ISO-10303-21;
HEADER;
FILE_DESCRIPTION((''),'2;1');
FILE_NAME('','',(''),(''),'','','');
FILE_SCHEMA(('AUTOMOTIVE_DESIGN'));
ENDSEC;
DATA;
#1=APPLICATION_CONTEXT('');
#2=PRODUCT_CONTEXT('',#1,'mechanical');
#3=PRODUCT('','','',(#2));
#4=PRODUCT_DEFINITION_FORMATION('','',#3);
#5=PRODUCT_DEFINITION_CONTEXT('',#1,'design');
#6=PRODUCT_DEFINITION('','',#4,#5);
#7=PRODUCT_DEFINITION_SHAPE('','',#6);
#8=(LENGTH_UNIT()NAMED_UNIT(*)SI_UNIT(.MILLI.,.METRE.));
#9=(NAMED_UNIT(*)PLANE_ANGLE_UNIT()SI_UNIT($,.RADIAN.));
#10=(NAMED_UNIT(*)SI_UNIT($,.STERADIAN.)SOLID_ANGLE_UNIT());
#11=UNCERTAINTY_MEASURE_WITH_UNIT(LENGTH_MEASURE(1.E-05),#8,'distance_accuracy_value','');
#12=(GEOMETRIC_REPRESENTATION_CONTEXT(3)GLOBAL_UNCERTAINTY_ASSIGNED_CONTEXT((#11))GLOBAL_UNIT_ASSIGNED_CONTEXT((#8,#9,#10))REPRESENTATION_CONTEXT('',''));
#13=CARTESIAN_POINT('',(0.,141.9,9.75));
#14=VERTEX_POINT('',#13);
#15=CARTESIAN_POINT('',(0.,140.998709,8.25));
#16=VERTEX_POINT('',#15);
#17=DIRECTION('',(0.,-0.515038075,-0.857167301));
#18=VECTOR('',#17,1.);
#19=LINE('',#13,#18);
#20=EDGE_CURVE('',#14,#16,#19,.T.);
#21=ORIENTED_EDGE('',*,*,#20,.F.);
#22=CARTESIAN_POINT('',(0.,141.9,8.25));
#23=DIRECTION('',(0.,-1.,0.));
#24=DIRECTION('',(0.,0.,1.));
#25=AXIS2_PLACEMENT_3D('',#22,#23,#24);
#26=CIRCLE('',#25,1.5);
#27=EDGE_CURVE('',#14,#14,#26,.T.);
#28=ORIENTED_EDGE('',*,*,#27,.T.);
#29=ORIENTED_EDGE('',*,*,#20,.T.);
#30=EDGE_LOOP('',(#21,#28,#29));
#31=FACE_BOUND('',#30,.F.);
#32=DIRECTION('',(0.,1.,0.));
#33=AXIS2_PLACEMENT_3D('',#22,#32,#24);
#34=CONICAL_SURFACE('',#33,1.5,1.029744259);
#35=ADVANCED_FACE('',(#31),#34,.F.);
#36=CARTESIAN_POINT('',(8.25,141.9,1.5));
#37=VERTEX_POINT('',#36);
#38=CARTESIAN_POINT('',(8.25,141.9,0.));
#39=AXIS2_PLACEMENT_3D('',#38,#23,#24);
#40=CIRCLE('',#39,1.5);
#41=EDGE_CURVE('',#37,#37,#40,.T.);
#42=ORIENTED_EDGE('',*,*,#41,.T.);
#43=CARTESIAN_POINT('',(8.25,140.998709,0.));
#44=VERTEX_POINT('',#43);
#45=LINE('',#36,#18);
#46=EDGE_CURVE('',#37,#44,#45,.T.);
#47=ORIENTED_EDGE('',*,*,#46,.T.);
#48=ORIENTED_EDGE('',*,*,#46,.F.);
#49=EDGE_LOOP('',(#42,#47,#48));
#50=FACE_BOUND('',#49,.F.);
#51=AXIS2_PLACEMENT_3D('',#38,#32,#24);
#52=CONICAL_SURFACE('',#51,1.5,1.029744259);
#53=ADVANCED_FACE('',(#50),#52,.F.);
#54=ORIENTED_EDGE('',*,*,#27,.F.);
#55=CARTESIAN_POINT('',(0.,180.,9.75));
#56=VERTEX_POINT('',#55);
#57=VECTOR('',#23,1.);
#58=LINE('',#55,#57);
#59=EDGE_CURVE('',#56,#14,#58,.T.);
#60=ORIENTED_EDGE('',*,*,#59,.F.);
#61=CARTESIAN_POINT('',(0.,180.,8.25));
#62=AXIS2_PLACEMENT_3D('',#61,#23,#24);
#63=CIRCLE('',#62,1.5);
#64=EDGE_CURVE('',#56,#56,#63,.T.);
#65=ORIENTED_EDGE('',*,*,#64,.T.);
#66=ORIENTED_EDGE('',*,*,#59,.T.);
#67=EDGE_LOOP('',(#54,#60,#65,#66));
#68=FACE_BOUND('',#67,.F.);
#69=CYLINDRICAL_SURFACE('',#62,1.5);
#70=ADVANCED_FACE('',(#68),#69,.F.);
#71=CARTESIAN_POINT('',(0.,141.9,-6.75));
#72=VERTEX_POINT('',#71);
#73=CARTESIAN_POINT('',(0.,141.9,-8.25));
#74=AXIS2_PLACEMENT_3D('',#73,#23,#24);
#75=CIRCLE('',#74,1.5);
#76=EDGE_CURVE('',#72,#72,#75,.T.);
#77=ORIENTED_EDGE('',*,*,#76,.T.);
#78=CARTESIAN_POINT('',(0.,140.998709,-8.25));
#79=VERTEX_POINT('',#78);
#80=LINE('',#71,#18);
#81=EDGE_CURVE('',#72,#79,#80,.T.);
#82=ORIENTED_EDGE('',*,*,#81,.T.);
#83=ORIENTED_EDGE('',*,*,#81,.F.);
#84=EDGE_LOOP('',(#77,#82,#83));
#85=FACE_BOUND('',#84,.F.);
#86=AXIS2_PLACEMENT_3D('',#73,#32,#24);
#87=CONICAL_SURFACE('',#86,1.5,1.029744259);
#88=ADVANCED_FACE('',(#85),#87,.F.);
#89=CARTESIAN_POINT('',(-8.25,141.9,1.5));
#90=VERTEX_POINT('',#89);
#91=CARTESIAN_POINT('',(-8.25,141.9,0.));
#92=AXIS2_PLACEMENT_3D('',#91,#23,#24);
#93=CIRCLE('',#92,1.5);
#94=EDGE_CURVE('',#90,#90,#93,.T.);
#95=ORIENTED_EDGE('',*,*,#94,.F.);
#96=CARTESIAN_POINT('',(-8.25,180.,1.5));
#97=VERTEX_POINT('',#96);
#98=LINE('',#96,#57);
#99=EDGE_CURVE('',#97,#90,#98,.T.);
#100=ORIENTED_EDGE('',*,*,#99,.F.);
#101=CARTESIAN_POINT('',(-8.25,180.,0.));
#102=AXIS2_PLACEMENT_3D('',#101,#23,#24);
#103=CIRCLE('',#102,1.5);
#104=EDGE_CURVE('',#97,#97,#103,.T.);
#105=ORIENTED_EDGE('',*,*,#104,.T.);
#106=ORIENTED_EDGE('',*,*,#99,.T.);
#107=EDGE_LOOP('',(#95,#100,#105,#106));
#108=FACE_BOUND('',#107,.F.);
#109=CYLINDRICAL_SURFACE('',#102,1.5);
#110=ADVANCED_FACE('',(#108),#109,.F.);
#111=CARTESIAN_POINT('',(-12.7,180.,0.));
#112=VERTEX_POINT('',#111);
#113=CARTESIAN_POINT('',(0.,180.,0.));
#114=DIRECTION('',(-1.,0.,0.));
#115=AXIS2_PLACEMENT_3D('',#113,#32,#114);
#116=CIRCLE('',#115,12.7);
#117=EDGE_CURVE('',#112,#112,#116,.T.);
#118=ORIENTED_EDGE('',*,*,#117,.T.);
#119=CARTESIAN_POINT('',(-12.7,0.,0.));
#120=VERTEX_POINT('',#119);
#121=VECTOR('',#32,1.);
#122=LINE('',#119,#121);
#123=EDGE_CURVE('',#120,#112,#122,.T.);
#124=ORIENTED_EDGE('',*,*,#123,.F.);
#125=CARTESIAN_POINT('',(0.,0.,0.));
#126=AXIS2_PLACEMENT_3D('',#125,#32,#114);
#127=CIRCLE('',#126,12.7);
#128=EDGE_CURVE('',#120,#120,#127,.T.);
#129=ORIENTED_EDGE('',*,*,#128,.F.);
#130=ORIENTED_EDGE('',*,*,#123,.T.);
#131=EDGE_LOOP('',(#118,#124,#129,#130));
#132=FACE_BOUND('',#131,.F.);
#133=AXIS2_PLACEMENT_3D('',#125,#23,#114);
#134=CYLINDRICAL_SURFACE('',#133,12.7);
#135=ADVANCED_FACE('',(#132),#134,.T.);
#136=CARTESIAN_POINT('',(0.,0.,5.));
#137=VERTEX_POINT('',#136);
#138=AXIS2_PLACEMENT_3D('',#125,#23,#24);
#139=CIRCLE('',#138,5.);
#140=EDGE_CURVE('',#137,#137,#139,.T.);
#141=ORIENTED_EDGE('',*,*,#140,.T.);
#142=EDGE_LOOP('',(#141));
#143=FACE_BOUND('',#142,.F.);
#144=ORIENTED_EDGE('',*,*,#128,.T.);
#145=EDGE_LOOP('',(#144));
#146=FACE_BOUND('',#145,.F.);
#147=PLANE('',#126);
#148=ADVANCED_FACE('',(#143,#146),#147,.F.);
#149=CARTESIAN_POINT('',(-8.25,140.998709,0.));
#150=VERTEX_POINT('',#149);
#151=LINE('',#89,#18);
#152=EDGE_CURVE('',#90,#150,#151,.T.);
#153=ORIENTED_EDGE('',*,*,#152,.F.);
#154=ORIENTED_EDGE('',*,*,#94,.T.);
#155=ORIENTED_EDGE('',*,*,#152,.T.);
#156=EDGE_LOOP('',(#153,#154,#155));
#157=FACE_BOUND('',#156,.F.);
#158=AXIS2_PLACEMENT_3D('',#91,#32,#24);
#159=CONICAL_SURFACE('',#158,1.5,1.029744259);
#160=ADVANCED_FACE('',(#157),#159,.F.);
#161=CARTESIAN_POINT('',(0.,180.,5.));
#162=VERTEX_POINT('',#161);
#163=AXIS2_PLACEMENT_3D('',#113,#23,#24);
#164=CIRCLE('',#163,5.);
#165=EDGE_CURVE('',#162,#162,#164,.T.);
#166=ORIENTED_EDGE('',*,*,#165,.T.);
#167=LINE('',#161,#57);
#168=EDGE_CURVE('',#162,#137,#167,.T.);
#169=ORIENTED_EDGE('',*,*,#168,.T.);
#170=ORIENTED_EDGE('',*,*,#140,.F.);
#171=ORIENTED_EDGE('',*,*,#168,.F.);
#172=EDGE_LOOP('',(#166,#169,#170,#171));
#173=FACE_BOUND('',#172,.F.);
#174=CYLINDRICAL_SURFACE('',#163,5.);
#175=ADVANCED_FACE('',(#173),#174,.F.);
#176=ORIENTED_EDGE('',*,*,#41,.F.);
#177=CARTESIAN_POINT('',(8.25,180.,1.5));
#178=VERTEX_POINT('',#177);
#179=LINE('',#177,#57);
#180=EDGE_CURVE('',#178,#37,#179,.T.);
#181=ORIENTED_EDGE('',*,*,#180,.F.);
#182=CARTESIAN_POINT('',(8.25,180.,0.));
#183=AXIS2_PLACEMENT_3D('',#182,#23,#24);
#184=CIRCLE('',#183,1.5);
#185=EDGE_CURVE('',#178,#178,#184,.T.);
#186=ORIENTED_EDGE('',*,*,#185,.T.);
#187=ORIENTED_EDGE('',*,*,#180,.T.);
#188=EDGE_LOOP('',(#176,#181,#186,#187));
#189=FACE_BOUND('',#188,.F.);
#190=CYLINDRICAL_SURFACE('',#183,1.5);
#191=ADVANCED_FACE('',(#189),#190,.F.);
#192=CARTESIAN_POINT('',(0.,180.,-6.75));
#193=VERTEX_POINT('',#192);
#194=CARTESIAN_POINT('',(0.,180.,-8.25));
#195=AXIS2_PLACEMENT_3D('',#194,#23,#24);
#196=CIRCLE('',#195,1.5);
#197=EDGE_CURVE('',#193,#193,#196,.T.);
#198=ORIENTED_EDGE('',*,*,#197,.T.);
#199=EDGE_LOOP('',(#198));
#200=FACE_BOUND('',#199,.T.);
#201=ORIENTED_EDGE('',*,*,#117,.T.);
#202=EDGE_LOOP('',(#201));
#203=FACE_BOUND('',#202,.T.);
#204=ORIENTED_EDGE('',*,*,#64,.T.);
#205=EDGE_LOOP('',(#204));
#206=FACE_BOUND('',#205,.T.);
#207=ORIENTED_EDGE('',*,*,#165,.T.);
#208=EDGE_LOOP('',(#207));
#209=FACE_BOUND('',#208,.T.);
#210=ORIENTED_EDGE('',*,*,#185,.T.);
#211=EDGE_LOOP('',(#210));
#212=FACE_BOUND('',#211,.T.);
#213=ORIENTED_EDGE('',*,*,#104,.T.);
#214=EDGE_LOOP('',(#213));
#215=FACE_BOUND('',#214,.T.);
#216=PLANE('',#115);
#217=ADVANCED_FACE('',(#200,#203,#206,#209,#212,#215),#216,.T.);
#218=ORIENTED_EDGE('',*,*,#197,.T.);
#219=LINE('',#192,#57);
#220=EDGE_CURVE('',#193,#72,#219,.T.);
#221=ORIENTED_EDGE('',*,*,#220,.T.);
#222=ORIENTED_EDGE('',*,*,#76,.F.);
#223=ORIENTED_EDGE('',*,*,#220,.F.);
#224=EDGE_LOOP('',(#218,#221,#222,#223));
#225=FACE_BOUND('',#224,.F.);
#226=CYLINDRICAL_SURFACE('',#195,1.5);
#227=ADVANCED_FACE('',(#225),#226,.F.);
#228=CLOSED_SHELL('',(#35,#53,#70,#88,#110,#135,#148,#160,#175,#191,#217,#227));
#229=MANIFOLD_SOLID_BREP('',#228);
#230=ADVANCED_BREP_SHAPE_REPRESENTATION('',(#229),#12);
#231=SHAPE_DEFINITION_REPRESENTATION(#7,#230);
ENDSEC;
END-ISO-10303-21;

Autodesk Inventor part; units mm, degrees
ref_plane "YZ Plane" through (0, 0, 0) normal (1, 0, 0) x (0, 1, 0)
ref_plane "XZ Plane" through (0, 0, 0) normal (0, 1, 0) x (-1, 0, 0)
ref_plane "XY Plane" through (0, 0, 0) normal (0, 0, 1) x (1, 0, 0)
sketch "Sketch1" plane through (0, 0, 0) normal (0, 1, 0) x (-1, 0, 0)
  circle A0 centre (0, 0) radius 12.7
  dimension "d0" = 25.4
extrude "Extrusion1" add sketch "Sketch1" along normal blind 180
sketch "Sketch3" plane through (0, 180, 0) normal (0, 1, 0) x (1, 0, 0)
  point P0 (0, 0)
  point P1 (0, 0)
hole "Hole2" at (0, 180, 0) direction (0, -1, 0) diameter 10 end through all
sketch "Sketch4" plane through (0, 180, 0) normal (0, 1, 0) x (1, 0, 0)
  point P0 (0, 0)
  point P1 (0, -8.25)
  point P2 (-8.25, 0)
  point P3 (0, 8.25)
  point P4 (8.25, 0)
  dimension "d17" = 8.25
  dimension "d20" = 360
hole "Hole3" at (0, 180, 8.25) at (-8.25, 180, 0) at (0, 180, -8.25) at (8.25, 180, 0) direction (0, -1, 0) diameter 3 depth 38.1 tip angle 118
thread "Thread1" size "M3x0.5" class "6H" standard "ANSI Metric M Profile" full length
thread "Thread2" size "M3x0.5" class "6H" standard "ANSI Metric M Profile" full length
thread "Thread3" size "M3x0.5" class "6H" standard "ANSI Metric M Profile" full length
thread "Thread4" size "M3x0.5" class "6H" standard "ANSI Metric M Profile" full length
properties part number "BarraSolidaMotor"
